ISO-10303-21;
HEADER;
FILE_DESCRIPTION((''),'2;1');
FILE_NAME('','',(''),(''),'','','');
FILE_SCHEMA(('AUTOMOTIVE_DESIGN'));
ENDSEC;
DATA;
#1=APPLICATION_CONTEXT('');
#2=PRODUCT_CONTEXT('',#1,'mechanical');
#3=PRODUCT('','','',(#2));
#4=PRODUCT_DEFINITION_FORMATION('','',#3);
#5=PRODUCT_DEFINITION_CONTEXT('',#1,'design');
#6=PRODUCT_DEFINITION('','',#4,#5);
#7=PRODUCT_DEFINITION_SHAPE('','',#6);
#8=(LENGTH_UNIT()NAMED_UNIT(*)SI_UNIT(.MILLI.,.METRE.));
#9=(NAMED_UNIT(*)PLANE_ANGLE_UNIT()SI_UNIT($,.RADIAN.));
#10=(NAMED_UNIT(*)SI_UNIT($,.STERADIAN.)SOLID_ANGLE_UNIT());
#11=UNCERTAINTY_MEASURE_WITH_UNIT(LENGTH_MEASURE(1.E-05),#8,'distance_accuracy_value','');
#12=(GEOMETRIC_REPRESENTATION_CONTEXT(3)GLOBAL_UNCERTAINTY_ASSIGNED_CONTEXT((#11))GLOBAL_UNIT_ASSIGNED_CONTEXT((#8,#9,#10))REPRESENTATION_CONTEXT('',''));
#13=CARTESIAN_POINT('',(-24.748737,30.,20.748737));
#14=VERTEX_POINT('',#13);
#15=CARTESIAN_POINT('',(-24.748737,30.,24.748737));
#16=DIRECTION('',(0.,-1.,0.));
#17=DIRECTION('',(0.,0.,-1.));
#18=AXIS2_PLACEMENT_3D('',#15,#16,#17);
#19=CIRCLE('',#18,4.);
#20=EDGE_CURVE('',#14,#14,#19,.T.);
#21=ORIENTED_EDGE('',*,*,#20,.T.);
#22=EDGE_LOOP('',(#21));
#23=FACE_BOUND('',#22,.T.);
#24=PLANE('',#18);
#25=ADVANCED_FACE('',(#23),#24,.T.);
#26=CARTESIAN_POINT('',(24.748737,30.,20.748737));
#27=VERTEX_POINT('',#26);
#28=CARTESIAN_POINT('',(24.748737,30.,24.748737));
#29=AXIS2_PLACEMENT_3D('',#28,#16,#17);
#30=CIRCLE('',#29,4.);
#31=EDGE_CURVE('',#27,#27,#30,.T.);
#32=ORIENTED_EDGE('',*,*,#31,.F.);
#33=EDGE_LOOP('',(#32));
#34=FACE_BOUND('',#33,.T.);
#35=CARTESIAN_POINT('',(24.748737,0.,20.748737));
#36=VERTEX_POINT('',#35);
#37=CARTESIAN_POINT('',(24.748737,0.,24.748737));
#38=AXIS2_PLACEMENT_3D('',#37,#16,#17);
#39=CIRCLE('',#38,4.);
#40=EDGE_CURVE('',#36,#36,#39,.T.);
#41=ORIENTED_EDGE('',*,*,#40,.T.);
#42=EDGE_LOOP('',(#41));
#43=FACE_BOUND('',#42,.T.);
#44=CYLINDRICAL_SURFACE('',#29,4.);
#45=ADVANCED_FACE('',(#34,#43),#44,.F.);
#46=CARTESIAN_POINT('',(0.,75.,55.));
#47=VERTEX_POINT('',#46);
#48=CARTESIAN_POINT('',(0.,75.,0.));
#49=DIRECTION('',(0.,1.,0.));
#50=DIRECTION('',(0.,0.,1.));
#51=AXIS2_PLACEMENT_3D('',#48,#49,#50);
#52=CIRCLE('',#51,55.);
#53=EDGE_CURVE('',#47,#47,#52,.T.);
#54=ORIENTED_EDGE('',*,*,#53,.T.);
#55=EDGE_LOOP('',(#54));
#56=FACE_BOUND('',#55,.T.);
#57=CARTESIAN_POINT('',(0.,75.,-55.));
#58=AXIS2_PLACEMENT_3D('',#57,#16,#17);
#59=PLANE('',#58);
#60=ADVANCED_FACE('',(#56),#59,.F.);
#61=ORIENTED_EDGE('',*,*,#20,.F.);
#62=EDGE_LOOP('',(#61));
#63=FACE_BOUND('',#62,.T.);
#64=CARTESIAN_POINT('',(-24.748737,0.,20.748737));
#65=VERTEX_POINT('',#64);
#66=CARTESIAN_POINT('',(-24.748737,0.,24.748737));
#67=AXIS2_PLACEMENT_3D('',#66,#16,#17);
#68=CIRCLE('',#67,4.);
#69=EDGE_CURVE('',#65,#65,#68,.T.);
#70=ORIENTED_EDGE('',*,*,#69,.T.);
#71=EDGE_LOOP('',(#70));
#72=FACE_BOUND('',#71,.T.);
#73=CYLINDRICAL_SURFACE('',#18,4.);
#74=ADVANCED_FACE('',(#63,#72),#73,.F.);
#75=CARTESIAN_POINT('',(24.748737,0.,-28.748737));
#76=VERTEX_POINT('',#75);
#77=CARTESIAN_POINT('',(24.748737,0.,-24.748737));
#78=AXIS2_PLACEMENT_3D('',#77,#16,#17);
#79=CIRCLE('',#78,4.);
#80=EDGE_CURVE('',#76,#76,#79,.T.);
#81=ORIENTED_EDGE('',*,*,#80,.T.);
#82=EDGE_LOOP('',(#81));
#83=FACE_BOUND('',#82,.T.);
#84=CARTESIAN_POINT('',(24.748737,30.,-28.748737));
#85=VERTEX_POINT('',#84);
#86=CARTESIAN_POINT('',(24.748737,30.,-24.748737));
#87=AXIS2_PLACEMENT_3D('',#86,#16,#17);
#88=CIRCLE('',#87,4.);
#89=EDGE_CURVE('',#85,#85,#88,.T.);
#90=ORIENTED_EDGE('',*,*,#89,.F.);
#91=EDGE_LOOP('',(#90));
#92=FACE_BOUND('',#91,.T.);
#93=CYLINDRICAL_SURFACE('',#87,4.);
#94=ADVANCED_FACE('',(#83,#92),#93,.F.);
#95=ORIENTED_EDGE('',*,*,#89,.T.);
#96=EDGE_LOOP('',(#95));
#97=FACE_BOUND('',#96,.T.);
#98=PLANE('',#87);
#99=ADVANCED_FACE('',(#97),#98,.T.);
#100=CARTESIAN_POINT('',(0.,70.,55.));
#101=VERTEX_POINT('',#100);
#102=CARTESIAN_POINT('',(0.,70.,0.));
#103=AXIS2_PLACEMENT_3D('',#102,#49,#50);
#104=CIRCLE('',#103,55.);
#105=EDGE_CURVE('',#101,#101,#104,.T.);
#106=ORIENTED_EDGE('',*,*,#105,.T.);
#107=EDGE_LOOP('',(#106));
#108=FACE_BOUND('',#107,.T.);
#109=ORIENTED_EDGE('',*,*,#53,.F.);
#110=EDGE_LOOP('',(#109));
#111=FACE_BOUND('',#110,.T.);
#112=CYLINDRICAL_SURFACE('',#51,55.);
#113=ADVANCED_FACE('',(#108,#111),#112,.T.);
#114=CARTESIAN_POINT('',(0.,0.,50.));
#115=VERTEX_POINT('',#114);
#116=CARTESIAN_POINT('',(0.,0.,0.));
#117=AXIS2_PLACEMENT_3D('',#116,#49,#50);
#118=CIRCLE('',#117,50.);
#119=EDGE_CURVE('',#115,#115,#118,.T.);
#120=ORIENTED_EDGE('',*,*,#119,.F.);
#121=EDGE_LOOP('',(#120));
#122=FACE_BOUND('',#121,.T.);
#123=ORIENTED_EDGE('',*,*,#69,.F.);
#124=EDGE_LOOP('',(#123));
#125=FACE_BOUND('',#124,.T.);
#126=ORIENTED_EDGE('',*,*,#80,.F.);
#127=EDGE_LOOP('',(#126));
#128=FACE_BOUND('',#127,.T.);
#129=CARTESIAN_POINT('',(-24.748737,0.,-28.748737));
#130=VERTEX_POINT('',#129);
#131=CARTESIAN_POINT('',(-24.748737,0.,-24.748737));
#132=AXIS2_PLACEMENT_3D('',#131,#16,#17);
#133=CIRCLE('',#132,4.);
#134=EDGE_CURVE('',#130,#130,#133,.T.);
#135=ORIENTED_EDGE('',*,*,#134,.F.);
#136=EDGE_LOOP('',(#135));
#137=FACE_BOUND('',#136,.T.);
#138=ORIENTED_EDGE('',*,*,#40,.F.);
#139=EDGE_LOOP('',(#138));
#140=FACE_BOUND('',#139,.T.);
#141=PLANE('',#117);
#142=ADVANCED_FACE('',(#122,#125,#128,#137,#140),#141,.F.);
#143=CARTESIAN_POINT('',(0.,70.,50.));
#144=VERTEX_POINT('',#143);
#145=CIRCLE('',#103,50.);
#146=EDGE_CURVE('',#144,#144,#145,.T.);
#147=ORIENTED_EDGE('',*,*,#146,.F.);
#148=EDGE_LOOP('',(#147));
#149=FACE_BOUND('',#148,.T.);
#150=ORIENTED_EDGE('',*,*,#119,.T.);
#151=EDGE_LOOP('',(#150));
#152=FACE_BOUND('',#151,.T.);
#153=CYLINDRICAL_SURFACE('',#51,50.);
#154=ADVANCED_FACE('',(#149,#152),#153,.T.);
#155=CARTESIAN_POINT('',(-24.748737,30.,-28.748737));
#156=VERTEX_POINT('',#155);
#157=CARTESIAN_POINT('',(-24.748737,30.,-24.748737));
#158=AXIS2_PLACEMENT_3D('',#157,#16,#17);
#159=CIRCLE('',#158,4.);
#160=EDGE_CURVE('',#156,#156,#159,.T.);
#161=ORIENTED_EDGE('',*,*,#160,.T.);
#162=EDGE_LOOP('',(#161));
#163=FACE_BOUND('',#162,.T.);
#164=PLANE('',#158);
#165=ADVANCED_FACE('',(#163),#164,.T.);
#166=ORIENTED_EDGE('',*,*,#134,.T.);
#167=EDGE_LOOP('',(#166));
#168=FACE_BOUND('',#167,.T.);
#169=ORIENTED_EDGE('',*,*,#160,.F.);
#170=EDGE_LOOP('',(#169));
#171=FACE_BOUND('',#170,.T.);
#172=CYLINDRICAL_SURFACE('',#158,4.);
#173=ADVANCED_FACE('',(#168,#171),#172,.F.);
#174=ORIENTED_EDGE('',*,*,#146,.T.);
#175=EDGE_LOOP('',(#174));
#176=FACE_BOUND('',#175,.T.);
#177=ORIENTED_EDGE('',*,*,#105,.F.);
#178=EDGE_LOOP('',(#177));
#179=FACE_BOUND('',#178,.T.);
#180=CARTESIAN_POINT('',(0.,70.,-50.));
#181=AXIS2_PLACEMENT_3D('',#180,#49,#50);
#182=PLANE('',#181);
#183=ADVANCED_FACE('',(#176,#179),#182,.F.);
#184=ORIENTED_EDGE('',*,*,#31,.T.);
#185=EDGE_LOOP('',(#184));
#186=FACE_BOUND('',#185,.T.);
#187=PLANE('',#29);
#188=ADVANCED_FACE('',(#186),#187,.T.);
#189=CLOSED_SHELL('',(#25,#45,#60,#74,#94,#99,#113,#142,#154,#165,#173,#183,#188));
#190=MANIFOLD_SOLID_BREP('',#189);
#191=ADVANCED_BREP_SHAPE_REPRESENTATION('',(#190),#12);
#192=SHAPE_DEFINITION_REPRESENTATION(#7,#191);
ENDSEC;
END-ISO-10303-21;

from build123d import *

# Parameters (mm, degrees)
SKETCH2_R          = 4
CUT_EXTRUDE1_DEPTH = 30


with BuildPart() as part:
    # Sketch1 → Revolve1 (revolve)
    with BuildSketch(Plane(origin=(0, 0, 0), x_dir=(0, 0, -1), z_dir=(1, 0, 0))):
        Polygon((0, 0), (50, 0), (50, 70), (55, 70), (55, 75), (0, 75), align=None)
    revolve(axis=Axis((0, 75, 0), (0, -1, 0)))

    # Sketch2 → Cut-Extrude1 (cut)
    with BuildSketch(Plane.XZ):
        with Locations((-24.748737342, 24.748737342)):
            Circle(SKETCH2_R)
        with Locations((24.748737342, 24.748737342)):
            Circle(SKETCH2_R)
        with Locations((24.748737342, -24.748737342)):
            Circle(SKETCH2_R)
        with Locations((-24.748737342, -24.748737342)):
            Circle(SKETCH2_R)
    extrude(amount=-CUT_EXTRUDE1_DEPTH, mode=Mode.SUBTRACT)


solid = part.part
